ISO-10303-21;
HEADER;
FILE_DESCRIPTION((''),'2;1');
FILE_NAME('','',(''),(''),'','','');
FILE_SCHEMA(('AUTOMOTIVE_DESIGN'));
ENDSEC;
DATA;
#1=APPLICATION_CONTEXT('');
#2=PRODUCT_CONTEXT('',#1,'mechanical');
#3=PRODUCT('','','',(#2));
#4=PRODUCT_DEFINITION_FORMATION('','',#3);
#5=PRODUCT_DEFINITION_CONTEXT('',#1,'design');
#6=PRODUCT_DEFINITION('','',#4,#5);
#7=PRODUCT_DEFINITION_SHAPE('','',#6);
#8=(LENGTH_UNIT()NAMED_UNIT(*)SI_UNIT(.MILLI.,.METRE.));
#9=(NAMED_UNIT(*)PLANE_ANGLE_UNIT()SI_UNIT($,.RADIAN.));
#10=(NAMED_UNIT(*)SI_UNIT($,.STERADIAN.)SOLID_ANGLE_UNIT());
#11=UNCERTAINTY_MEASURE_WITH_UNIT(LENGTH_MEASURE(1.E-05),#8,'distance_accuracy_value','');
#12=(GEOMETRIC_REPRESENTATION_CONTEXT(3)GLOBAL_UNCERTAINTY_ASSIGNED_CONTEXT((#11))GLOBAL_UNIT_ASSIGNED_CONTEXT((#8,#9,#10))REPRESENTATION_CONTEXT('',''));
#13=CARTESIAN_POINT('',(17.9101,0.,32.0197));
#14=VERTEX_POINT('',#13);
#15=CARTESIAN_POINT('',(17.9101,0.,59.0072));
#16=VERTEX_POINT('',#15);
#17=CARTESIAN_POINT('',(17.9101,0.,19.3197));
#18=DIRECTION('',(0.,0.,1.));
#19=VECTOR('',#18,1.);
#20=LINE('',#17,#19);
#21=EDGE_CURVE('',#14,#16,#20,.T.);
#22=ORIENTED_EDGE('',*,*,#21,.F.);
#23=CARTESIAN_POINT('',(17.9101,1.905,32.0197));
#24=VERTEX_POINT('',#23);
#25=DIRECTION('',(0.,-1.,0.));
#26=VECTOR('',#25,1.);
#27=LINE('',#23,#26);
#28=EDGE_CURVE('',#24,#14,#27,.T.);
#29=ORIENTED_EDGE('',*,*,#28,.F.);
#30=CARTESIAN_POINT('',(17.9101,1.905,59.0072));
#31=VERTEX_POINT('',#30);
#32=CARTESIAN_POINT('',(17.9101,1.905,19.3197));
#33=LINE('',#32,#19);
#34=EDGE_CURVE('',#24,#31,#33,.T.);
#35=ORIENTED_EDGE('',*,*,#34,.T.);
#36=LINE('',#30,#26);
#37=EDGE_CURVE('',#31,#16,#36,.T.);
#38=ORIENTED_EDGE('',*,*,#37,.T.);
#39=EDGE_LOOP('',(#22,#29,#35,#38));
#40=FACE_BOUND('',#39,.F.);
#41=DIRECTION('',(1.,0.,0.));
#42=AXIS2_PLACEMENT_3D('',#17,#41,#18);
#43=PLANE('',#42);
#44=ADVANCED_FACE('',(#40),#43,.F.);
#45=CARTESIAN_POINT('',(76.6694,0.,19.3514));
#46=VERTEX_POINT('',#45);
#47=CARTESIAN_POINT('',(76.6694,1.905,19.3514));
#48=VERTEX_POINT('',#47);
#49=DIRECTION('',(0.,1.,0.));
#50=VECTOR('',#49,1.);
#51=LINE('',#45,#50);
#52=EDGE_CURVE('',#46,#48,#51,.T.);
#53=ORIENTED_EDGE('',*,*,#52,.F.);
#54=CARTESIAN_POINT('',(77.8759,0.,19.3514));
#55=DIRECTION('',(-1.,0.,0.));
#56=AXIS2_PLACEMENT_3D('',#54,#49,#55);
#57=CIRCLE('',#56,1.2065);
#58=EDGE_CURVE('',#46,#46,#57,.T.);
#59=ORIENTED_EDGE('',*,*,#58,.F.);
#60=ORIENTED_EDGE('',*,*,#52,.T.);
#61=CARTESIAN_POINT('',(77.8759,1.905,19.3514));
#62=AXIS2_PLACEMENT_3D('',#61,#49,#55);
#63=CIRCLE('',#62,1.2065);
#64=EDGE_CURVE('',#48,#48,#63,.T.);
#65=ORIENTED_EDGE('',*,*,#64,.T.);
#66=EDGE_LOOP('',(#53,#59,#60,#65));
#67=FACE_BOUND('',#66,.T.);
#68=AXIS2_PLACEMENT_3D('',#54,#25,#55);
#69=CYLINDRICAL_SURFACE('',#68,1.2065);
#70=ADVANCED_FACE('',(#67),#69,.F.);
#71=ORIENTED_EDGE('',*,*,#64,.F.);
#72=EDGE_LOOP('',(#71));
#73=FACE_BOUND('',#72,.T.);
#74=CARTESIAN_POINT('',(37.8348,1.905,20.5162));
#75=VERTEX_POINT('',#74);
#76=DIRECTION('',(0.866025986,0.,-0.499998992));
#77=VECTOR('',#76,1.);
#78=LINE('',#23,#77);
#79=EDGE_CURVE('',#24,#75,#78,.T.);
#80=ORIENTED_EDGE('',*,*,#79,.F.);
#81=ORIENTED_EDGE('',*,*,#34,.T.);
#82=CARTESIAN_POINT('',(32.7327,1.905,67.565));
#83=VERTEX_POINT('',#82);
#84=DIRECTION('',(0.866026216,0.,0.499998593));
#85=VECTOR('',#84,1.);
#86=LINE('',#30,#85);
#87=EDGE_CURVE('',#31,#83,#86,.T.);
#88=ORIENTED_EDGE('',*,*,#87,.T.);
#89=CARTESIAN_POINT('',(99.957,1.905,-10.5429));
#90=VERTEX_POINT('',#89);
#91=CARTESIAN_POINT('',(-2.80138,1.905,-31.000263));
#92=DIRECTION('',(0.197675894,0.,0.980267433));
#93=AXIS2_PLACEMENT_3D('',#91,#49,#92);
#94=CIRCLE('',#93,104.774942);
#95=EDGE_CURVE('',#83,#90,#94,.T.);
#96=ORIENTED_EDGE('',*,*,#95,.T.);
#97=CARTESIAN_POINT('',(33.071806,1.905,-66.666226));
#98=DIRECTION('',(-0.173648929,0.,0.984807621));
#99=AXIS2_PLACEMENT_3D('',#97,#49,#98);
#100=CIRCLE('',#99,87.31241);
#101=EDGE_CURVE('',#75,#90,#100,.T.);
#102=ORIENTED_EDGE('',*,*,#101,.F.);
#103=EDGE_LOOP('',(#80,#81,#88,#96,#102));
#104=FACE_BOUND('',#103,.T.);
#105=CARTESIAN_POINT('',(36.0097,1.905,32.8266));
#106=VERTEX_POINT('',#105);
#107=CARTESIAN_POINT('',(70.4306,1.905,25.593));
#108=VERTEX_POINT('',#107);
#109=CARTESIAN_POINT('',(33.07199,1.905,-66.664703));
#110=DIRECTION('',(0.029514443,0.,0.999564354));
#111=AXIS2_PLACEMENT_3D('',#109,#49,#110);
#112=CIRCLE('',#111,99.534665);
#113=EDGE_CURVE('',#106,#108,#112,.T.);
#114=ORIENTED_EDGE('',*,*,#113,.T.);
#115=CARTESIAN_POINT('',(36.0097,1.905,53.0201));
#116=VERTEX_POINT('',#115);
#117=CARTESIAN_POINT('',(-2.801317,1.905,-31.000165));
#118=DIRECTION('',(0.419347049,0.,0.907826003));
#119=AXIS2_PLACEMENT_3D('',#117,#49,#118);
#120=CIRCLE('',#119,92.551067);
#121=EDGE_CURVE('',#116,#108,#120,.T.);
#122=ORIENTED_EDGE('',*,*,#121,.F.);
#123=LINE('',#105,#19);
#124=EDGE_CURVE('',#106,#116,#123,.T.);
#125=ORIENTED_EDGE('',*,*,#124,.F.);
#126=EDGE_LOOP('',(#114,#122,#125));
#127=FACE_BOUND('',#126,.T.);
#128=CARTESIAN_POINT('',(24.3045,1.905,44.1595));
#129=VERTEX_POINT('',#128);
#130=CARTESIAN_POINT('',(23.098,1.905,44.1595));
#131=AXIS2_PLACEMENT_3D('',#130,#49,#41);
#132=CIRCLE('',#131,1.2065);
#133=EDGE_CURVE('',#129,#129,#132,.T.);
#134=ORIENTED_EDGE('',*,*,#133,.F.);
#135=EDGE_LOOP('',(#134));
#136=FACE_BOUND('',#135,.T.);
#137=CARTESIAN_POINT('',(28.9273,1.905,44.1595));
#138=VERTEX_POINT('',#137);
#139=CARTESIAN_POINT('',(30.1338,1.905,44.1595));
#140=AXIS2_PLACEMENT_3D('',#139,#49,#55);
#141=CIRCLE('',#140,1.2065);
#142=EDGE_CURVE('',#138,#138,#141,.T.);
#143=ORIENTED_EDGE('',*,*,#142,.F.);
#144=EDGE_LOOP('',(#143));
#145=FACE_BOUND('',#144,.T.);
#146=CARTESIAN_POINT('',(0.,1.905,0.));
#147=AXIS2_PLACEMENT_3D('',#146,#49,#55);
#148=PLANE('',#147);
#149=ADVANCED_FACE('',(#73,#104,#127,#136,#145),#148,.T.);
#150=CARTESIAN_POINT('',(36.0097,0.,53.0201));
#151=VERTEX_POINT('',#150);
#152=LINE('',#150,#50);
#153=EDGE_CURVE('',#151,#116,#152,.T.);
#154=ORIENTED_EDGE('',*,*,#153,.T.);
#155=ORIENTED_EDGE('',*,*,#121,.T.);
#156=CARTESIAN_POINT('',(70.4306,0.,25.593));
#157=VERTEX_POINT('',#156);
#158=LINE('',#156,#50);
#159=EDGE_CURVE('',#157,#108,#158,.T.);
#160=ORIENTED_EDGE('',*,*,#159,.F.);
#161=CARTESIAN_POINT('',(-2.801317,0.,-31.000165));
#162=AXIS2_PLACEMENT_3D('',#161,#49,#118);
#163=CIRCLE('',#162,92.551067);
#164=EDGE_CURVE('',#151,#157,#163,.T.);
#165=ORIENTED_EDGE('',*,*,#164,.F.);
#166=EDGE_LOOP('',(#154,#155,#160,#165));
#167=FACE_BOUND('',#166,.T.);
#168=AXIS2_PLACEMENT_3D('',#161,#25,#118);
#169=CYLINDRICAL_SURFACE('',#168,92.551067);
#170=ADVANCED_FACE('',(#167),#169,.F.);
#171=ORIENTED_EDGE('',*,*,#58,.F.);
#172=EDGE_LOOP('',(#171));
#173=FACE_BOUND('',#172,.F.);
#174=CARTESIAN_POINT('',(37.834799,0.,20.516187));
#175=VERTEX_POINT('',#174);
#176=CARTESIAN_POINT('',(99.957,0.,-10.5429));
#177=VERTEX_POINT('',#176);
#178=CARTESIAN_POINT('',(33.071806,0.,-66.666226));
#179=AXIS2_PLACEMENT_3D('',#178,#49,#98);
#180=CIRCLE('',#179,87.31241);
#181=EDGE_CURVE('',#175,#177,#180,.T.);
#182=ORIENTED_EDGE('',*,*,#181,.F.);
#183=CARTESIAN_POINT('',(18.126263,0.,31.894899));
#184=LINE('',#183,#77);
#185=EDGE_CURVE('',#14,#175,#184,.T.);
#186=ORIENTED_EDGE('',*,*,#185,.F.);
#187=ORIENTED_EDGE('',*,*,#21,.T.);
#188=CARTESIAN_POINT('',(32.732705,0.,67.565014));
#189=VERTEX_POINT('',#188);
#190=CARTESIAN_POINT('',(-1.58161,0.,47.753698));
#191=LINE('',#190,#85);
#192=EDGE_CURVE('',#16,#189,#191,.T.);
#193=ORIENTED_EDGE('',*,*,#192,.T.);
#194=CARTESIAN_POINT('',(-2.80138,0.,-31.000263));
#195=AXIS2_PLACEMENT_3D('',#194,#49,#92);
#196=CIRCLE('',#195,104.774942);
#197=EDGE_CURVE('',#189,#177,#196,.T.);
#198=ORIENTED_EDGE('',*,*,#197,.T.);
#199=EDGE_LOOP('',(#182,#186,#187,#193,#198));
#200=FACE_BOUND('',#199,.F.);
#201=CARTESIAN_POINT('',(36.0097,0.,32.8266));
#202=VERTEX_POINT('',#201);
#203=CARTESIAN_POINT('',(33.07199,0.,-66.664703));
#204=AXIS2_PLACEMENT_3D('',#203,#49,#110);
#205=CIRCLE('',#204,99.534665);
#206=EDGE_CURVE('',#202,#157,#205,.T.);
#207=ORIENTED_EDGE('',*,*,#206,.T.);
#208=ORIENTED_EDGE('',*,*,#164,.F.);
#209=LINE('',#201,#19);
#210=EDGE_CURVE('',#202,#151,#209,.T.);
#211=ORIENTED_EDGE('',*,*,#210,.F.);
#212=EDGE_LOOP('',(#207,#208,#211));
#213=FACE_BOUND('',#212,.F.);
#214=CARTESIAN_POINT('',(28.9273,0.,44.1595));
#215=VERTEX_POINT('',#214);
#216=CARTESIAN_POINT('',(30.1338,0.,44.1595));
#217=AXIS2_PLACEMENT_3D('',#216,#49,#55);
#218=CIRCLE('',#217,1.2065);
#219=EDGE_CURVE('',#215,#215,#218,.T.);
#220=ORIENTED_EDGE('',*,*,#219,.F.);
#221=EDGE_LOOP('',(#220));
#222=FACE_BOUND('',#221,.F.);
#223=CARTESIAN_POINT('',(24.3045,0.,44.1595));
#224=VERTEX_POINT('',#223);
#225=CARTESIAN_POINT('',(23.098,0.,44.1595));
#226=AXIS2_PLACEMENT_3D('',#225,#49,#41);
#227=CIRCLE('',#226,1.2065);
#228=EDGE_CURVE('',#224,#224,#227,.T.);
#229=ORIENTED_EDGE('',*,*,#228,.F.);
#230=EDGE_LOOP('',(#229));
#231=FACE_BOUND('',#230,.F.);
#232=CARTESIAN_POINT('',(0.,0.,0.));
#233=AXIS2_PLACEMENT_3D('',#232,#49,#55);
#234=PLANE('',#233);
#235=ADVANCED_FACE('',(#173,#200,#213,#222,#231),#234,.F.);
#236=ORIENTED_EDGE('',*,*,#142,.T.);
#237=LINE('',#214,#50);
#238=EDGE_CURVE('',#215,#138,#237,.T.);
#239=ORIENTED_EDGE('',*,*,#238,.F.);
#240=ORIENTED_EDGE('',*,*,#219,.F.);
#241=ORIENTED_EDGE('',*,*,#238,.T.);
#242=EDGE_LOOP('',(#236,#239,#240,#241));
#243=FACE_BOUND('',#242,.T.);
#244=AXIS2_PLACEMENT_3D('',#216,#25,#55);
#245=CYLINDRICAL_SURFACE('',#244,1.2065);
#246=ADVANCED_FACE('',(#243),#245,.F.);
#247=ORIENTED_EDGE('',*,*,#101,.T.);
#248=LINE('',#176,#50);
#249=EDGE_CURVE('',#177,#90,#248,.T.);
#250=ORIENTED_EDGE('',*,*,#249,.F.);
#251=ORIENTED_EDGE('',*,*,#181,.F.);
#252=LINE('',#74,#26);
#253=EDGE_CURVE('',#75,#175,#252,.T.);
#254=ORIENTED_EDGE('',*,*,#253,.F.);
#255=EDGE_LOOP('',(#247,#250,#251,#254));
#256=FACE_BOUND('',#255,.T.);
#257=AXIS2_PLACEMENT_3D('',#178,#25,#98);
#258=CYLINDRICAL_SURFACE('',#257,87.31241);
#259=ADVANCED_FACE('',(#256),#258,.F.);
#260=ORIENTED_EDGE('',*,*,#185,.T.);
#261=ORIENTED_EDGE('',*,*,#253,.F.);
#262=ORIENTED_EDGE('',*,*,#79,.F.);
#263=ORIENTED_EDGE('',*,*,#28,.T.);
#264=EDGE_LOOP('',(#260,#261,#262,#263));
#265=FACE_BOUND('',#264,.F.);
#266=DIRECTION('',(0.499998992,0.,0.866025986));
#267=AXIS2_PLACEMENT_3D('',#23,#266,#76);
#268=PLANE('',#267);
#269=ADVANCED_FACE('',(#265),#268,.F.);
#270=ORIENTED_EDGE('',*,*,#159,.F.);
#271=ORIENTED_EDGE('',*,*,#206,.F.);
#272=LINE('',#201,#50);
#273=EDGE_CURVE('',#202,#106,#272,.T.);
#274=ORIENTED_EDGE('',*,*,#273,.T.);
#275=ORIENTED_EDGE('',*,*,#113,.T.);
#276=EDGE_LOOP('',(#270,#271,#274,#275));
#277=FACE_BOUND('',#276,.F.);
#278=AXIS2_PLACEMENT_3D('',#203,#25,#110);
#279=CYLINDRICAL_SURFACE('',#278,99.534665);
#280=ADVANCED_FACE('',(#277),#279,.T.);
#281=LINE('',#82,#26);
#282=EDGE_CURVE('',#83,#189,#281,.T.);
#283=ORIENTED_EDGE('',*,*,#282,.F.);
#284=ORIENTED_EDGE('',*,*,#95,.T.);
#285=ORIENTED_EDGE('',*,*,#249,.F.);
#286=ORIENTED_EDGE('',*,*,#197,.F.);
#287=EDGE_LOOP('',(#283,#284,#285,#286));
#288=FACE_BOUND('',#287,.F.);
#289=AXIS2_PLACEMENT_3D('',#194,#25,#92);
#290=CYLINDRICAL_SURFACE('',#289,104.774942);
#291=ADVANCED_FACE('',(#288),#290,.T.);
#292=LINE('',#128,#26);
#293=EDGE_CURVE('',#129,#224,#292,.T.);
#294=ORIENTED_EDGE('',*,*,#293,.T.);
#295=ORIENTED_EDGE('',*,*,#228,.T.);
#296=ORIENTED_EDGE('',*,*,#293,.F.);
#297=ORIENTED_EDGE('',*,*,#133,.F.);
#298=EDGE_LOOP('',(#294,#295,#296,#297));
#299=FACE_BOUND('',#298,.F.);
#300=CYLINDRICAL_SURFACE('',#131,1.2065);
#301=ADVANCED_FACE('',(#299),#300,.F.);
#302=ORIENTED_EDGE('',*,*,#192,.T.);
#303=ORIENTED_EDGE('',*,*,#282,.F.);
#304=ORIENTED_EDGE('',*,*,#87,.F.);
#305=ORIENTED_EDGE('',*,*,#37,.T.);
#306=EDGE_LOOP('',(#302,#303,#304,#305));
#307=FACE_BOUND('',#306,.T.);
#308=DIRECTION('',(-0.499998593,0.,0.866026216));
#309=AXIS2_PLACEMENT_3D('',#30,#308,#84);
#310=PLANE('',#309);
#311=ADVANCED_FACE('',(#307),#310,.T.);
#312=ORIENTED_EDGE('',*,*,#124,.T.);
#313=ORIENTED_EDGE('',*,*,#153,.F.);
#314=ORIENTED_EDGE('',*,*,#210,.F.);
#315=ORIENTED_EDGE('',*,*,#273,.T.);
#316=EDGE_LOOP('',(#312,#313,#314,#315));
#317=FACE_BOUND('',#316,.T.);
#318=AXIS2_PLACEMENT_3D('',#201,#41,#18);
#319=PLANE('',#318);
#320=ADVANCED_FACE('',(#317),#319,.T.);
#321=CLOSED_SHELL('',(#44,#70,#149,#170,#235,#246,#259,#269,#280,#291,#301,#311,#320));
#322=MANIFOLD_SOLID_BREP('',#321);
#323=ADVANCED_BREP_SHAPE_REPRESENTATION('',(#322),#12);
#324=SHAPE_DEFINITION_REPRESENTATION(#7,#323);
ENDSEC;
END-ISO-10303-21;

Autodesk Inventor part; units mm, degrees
ref_plane "YZ Plane" through (0, 0, 0) normal (1, 0, 0) x (0, 1, 0)
ref_plane "XZ Plane" through (0, 0, 0) normal (0, 1, 0) x (-1, 0, 0)
ref_plane "XY Plane" through (0, 0, 0) normal (0, 0, 1) x (1, 0, 0)
sketch "Sketch12" plane through (0, 0, 0) normal (0, 1, 0) x (-1, 0, 0)
  arc A0 (-17.9101, 19.3197) -> (-99.957, -10.5429) centre (-33.0718, -66.6663) ccw
  arc A1 (-36.0097, 32.8266) -> (-70.4306, 25.593) centre (-33.0718, -66.6663) ccw
  circle A2 centre (-30.1338, 44.1595) radius 1.016
  line L0 (-36.0097, 32.8266) -> (-36.0097, 53.0201)
  arc A3 (-36.0097, 53.0201) -> (-70.4306, 25.593) centre (2.8014, -31.0003) ccw
  line L1 (-17.9101, 19.3197) -> (-17.9101, 71.7072)
  arc A4 (-17.9101, 71.7072) -> (-99.957, -10.5429) centre (2.8014, -31.0003) ccw
  circle A5 centre (-30.1338, 44.1595) radius 1.2065
  circle A6 centre (-77.8759, 19.3514) radius 1.2065
extrude "Extrusion13" add sketch "Sketch12" along normal blind 1.905 contours A0 A4 L1
sketch "Sketch20" plane through (0, 1.905, 0) normal (0, 1, 0) x (1, 0, 0)
  circle A0 centre (30.1338, -44.1595) radius 1.2065 projected
  line L0 (30.1338, -42.953) -> (30.1338, -44.1595)
  line L1 (30.1338, -44.1595) -> (23.098, -44.1595)
  circle A1 centre (23.098, -44.1595) radius 1.2065
  point P0 (0, 0)
  dimension "d94" = 7.0358
extrude "Extrusion15" cut sketch "Sketch20" against normal blind 3.175 contours A1
sketch "Sketch22" plane through (0, 1.905, 0) normal (0, 1, 0) x (1, 0, 0)
  line L0 (17.9101, -19.3197) -> (17.9101, -71.7072) projected
  line L1 (17.9101, -19.3197) -> (17.9101, -32.0197)
  line L2 (17.9101, -32.0197) -> (37.8348, -20.5162)
  arc A0 (17.9101, -71.7072) -> (99.957, 10.5429) centre (-2.8014, 31.0003) ccw projected
  line L3 (17.9101, -71.7072) -> (17.9101, -59.0072)
  line L4 (17.9101, -59.0072) -> (32.7327, -67.565)
  arc A1 (17.9101, -71.7072) -> (32.7327, -67.565) centre (-2.8014, 31.0003) ccw
  arc A2 (17.9101, -19.3197) -> (99.957, 10.5429) centre (33.0718, 66.6663) ccw projected
  arc A3 (17.9101, -19.3197) -> (37.8348, -20.5162) centre (33.0718, 66.6663) ccw
  point P0 (0, 0)
  dimension "d103" = 12.7
  dimension "d104" = 60
  dimension "d105" = 12.7
  dimension "d106" = 60
extrude "Extrusion17" cut sketch "Sketch22" against normal blind 3.175 contours A2 L2 L0 | L4 A0 L0
move or copy body "Move Body1" bodies to move or copy 1 copy no rotation origin (0, 0, 0) rotation axis (0, 0, 1) rotation angle -90 translate (16.0051, 19.8151, 0)
move or copy body "Move Body2" bodies to move or copy 1 copy no rotation origin (0, 0, 0) rotation axis (0, 0, 1) rotation angle 90 translate (19.8151, -16.0051, 0)
properties part number "landing-gear-claws" material "ABS Plastic"
